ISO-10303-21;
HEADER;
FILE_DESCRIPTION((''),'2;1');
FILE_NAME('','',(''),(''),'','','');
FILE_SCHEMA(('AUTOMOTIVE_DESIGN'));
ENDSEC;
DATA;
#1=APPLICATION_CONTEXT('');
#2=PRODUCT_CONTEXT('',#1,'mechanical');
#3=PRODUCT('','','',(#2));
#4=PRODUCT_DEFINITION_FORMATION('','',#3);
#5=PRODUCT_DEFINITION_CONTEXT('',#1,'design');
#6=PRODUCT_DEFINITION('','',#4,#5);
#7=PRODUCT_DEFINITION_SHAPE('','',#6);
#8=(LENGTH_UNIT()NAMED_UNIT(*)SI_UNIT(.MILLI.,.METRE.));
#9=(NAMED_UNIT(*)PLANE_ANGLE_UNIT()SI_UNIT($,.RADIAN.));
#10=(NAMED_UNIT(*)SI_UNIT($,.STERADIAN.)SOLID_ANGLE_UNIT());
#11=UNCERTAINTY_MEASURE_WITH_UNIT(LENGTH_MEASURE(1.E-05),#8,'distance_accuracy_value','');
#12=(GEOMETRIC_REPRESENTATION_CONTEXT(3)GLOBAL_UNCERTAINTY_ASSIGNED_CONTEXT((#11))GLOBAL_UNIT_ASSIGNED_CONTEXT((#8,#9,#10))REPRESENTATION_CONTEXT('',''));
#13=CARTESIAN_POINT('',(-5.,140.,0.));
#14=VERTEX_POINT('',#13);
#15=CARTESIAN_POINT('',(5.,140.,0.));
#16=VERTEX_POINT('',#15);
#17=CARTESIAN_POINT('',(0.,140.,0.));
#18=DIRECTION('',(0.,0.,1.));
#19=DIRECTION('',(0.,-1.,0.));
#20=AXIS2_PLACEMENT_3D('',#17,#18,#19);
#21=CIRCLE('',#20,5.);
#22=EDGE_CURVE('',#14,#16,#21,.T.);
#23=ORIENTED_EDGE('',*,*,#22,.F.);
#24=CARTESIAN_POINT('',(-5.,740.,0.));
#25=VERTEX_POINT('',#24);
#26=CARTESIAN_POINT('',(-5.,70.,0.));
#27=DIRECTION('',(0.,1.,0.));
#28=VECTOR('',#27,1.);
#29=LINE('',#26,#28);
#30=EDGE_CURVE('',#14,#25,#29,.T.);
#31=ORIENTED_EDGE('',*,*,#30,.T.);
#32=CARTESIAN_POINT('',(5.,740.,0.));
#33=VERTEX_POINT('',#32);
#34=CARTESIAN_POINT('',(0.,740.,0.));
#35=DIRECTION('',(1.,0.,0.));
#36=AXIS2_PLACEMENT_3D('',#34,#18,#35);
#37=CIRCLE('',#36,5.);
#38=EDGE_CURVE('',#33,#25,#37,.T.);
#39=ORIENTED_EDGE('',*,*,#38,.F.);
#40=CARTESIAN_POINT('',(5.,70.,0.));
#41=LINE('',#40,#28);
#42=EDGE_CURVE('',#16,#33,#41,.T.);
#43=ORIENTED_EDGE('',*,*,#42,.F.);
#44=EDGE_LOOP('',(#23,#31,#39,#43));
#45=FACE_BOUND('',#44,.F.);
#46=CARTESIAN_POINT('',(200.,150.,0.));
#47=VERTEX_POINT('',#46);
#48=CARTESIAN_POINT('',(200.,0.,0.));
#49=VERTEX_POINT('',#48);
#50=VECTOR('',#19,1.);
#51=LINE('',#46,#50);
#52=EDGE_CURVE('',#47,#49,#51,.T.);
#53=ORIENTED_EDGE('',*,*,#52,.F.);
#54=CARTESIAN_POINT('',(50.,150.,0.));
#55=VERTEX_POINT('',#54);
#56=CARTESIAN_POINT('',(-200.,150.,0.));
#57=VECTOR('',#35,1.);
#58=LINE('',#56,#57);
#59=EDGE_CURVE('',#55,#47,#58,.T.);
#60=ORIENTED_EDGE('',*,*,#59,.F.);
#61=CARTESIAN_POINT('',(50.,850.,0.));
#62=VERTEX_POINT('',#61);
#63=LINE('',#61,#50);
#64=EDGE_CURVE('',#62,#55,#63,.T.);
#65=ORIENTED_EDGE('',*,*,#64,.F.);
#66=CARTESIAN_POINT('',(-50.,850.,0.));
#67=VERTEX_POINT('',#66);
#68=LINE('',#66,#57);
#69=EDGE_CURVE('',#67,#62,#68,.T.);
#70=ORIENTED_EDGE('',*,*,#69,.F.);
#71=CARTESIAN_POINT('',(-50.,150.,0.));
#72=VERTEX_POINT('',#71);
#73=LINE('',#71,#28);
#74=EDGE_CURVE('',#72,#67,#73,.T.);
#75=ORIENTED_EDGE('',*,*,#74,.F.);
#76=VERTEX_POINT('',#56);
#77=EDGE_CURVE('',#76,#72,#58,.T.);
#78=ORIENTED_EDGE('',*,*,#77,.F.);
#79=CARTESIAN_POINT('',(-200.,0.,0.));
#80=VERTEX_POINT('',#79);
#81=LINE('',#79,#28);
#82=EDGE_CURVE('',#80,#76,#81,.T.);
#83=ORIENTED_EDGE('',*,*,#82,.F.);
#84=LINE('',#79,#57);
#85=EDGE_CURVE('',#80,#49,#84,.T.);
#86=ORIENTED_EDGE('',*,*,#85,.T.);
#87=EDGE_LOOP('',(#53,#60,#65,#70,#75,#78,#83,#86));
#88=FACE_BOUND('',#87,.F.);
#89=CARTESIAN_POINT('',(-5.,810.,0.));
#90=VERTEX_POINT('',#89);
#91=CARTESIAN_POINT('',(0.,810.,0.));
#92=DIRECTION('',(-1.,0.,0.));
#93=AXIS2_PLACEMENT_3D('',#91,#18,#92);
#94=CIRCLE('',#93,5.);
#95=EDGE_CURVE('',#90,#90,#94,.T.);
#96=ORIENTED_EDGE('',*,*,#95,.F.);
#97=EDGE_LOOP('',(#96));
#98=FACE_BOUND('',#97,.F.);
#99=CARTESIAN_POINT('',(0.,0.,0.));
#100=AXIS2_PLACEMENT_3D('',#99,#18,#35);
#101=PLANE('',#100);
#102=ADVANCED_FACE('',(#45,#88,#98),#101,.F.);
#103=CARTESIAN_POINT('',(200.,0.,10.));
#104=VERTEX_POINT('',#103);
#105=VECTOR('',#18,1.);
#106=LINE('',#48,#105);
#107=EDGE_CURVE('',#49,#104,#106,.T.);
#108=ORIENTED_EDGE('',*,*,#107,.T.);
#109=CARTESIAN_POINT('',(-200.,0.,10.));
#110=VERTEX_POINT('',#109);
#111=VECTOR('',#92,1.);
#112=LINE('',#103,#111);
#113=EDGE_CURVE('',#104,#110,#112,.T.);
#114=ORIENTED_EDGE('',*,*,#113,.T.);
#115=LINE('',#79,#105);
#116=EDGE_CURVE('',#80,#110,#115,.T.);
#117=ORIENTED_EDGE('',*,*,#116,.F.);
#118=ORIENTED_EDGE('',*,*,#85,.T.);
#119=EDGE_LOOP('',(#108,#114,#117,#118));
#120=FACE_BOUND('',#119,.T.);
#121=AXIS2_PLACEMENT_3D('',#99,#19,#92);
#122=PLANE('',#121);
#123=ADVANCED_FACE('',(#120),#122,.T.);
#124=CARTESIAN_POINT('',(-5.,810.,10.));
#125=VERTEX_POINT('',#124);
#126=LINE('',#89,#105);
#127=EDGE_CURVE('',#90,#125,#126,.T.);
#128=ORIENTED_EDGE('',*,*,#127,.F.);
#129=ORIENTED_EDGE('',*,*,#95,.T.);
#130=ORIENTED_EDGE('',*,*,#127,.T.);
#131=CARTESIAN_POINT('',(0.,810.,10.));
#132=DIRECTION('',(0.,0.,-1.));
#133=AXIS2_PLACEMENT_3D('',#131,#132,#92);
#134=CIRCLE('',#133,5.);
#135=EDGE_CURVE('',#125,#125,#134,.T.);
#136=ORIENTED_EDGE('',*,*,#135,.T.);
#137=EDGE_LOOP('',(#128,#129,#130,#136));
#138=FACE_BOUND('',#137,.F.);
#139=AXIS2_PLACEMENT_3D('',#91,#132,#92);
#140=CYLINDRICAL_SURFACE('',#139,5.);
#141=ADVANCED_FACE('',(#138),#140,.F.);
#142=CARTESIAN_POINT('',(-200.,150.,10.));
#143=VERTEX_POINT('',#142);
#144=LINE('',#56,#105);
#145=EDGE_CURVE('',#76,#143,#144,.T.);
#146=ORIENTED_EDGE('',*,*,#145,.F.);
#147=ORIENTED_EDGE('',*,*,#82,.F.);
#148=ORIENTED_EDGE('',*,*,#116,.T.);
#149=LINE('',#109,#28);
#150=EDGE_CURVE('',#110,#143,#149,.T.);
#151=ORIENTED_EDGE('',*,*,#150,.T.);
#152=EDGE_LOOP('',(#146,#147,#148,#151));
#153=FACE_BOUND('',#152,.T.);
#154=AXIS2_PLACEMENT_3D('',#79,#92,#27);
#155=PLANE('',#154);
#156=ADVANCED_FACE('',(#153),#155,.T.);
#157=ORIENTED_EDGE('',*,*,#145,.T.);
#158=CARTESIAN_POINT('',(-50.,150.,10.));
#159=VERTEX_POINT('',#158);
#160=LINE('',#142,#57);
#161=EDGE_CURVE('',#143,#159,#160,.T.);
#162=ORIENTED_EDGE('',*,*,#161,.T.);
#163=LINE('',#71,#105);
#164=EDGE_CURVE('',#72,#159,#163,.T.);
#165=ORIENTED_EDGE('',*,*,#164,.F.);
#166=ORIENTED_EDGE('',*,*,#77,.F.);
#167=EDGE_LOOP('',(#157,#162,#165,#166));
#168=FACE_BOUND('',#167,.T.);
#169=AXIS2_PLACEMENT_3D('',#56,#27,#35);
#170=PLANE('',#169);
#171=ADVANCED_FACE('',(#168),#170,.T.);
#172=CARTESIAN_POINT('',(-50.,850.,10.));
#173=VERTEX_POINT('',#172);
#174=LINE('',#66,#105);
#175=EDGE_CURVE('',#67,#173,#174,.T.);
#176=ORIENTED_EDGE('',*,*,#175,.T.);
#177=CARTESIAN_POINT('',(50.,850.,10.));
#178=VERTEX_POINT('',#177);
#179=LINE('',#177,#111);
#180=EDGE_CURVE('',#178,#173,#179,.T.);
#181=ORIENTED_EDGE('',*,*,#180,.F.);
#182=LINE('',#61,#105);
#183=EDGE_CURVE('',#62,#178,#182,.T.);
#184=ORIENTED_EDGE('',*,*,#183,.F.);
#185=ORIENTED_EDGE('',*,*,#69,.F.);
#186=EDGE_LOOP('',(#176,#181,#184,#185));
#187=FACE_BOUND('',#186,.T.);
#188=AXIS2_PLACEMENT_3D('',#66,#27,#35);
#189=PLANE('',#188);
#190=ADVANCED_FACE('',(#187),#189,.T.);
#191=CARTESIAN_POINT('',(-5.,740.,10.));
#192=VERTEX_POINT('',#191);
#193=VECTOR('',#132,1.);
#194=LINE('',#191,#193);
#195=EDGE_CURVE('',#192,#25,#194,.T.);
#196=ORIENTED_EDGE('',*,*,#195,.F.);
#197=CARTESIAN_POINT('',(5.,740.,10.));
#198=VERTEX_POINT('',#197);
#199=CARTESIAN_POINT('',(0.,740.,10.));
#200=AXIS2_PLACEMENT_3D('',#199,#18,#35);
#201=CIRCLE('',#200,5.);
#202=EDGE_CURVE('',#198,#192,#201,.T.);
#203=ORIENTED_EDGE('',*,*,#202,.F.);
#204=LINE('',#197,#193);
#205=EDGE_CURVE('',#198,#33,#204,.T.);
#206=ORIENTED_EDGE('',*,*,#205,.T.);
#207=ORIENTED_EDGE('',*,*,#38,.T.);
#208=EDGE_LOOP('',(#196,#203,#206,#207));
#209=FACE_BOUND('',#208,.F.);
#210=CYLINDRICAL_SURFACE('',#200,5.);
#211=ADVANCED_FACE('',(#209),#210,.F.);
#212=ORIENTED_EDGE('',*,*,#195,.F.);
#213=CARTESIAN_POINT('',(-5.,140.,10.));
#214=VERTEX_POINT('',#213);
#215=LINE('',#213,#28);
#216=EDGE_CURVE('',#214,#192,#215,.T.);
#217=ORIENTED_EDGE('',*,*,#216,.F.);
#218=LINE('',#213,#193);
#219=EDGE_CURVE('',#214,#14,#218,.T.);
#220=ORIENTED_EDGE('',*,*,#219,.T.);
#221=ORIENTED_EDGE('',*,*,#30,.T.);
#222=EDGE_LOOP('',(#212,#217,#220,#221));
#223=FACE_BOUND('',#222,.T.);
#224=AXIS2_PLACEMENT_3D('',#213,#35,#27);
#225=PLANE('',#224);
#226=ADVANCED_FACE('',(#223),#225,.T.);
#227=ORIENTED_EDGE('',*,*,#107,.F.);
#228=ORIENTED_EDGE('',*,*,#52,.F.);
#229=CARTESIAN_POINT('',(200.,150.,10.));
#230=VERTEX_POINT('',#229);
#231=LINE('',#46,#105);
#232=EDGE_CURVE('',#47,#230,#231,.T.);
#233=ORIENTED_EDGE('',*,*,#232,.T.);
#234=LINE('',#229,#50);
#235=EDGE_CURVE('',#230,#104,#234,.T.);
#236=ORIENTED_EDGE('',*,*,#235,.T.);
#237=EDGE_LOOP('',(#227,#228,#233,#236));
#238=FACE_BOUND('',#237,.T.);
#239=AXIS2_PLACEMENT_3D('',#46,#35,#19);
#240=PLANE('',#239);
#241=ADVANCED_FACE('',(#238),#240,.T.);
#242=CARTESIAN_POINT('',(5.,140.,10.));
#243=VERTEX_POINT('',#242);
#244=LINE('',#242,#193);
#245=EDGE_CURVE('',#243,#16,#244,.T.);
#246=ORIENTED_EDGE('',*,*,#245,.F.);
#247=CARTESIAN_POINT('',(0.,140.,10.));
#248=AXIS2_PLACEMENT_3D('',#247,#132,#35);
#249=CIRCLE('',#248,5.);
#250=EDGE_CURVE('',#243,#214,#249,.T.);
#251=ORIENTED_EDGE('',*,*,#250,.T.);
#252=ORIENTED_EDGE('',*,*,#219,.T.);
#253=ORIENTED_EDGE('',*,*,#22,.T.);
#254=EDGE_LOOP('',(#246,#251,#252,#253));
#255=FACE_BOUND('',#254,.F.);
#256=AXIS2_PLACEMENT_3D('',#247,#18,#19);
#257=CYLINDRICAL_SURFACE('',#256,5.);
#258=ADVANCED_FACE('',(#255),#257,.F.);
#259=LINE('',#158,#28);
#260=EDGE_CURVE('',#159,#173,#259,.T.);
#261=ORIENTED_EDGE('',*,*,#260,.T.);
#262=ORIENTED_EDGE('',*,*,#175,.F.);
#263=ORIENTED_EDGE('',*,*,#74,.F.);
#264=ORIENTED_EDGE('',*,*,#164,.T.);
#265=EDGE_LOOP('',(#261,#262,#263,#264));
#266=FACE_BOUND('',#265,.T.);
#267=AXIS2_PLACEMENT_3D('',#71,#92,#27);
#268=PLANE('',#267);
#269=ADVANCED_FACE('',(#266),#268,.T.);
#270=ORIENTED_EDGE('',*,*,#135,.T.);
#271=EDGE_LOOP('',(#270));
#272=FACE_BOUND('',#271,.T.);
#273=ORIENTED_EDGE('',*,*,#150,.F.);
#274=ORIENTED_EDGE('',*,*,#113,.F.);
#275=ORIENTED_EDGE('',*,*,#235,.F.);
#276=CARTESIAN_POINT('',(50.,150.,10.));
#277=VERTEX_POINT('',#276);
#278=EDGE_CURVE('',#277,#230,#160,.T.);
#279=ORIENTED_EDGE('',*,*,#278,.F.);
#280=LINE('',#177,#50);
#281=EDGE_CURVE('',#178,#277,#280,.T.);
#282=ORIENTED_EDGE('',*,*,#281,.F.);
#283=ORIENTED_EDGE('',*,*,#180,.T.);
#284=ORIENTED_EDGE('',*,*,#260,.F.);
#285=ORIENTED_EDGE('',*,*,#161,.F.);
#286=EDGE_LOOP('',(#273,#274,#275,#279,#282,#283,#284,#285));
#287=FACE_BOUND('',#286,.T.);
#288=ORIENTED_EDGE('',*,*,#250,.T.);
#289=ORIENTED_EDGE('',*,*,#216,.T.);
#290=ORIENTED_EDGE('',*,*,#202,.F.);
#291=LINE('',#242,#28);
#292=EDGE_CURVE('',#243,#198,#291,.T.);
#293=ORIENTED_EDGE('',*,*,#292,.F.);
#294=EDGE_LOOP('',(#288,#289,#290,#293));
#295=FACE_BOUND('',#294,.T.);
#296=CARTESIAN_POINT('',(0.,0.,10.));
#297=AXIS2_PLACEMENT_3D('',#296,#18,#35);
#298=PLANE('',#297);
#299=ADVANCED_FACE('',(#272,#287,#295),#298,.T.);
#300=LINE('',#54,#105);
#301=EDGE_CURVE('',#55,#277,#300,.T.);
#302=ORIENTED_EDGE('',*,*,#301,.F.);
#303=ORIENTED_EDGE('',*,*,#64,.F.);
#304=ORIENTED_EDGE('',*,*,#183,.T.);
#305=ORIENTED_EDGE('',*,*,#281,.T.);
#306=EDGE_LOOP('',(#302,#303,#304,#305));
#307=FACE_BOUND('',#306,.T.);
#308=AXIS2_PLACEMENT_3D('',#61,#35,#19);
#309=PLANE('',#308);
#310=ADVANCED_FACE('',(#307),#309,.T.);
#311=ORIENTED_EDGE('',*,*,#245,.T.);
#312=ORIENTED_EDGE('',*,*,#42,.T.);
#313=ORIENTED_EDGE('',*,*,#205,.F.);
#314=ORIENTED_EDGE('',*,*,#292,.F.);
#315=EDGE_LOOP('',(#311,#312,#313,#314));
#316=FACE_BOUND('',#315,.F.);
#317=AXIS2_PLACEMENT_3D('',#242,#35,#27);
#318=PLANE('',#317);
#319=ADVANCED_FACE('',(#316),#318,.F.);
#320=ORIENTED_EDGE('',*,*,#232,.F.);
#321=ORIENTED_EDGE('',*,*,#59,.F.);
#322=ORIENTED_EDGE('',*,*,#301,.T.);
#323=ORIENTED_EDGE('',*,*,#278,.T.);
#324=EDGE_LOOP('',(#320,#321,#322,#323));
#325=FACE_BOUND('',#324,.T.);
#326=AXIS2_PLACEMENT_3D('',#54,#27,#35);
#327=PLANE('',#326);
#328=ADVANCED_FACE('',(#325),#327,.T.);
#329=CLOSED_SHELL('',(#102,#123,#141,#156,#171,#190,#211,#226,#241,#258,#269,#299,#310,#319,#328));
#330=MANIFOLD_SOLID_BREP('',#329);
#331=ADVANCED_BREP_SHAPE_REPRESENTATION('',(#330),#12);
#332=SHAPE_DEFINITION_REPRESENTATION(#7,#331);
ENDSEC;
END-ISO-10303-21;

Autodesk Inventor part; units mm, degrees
ref_plane "YZ Plane" through (0, 0, 0) normal (1, 0, 0) x (0, 1, 0)
ref_plane "XZ Plane" through (0, 0, 0) normal (0, 1, 0) x (-1, 0, 0)
ref_plane "XY Plane" through (0, 0, 0) normal (0, 0, 1) x (1, 0, 0)
sketch "Sketch1" plane through (0, 0, 0) normal (0, 0, 1) x (1, 0, 0)
  line L0 (-200, 0) -> (-200, 150)
  line L1 (-200, 150) -> (200, 150)
  line L2 (200, 150) -> (200, 0)
  line L3 (200, 0) -> (-200, 0)
  line L4 (50, 150) -> (-50, 150)
  line L5 (-50, 150) -> (-50, 850)
  line L6 (-50, 850) -> (50, 850)
  line L7 (50, 850) -> (50, 150)
  line L8 (0, -170) -> (0, 1020) projected
  line L9 (-280, 0) -> (280, 0) projected
  point P0 (0, 0)
  dimension "d7" = 700
  dimension "d11" = 50
  dimension "d12" = 50
  dimension "d13" = 200
  dimension "d14" = 200
  dimension "d15" = 150
  dimension "d17" = 200
  dimension "d18" = 200
extrude "Extrusion2" add sketch "Sketch1" along normal blind 10
sketch "Sketch2" plane through (0, 0, 10) normal (0, 0, 1) x (1, 0, 0)
  line L0 (5, 140) -> (5, 740)
  line L1 (0, -170) -> (0, 1020) projected
  line L2 (-280, 0) -> (280, 0) projected
  arc A0 (0, 135) -> (5, 140) centre (0, 140) ccw
  line L3 (-5, 140) -> (-5, 740)
  arc A1 (-5, 140) -> (0, 135) centre (0, 140) ccw
  arc A2 (5, 740) -> (-5, 740) centre (0, 740) ccw
  line L4 (50, 850) -> (-50, 850) projected
  point P0 (0, 0)
  point P1 (0, 149.3301)
  dimension "d8" = 5
  dimension "d24" = 600
  dimension "d26" = 10
  dimension "d30" = 10
  dimension "d34" = 110
sketch "Sketch3" plane through (0, 0, 0) normal (0, 0, -1) x (-1, 0, 0)
  line L0 (0, -170) -> (0, 1020) projected
  line L1 (280, 0) -> (-280, 0) projected
  circle A0 centre (0, 810) radius 5
  line L2 (-50, 850) -> (50, 850) projected
  point P0 (0, 0)
  dimension "d19" = 10
  dimension "d27" = 40
extrude "Extrusion4" cut sketch "Sketch3" against normal through all
extrude "Extrusion6" cut sketch "Sketch2" against normal through all
